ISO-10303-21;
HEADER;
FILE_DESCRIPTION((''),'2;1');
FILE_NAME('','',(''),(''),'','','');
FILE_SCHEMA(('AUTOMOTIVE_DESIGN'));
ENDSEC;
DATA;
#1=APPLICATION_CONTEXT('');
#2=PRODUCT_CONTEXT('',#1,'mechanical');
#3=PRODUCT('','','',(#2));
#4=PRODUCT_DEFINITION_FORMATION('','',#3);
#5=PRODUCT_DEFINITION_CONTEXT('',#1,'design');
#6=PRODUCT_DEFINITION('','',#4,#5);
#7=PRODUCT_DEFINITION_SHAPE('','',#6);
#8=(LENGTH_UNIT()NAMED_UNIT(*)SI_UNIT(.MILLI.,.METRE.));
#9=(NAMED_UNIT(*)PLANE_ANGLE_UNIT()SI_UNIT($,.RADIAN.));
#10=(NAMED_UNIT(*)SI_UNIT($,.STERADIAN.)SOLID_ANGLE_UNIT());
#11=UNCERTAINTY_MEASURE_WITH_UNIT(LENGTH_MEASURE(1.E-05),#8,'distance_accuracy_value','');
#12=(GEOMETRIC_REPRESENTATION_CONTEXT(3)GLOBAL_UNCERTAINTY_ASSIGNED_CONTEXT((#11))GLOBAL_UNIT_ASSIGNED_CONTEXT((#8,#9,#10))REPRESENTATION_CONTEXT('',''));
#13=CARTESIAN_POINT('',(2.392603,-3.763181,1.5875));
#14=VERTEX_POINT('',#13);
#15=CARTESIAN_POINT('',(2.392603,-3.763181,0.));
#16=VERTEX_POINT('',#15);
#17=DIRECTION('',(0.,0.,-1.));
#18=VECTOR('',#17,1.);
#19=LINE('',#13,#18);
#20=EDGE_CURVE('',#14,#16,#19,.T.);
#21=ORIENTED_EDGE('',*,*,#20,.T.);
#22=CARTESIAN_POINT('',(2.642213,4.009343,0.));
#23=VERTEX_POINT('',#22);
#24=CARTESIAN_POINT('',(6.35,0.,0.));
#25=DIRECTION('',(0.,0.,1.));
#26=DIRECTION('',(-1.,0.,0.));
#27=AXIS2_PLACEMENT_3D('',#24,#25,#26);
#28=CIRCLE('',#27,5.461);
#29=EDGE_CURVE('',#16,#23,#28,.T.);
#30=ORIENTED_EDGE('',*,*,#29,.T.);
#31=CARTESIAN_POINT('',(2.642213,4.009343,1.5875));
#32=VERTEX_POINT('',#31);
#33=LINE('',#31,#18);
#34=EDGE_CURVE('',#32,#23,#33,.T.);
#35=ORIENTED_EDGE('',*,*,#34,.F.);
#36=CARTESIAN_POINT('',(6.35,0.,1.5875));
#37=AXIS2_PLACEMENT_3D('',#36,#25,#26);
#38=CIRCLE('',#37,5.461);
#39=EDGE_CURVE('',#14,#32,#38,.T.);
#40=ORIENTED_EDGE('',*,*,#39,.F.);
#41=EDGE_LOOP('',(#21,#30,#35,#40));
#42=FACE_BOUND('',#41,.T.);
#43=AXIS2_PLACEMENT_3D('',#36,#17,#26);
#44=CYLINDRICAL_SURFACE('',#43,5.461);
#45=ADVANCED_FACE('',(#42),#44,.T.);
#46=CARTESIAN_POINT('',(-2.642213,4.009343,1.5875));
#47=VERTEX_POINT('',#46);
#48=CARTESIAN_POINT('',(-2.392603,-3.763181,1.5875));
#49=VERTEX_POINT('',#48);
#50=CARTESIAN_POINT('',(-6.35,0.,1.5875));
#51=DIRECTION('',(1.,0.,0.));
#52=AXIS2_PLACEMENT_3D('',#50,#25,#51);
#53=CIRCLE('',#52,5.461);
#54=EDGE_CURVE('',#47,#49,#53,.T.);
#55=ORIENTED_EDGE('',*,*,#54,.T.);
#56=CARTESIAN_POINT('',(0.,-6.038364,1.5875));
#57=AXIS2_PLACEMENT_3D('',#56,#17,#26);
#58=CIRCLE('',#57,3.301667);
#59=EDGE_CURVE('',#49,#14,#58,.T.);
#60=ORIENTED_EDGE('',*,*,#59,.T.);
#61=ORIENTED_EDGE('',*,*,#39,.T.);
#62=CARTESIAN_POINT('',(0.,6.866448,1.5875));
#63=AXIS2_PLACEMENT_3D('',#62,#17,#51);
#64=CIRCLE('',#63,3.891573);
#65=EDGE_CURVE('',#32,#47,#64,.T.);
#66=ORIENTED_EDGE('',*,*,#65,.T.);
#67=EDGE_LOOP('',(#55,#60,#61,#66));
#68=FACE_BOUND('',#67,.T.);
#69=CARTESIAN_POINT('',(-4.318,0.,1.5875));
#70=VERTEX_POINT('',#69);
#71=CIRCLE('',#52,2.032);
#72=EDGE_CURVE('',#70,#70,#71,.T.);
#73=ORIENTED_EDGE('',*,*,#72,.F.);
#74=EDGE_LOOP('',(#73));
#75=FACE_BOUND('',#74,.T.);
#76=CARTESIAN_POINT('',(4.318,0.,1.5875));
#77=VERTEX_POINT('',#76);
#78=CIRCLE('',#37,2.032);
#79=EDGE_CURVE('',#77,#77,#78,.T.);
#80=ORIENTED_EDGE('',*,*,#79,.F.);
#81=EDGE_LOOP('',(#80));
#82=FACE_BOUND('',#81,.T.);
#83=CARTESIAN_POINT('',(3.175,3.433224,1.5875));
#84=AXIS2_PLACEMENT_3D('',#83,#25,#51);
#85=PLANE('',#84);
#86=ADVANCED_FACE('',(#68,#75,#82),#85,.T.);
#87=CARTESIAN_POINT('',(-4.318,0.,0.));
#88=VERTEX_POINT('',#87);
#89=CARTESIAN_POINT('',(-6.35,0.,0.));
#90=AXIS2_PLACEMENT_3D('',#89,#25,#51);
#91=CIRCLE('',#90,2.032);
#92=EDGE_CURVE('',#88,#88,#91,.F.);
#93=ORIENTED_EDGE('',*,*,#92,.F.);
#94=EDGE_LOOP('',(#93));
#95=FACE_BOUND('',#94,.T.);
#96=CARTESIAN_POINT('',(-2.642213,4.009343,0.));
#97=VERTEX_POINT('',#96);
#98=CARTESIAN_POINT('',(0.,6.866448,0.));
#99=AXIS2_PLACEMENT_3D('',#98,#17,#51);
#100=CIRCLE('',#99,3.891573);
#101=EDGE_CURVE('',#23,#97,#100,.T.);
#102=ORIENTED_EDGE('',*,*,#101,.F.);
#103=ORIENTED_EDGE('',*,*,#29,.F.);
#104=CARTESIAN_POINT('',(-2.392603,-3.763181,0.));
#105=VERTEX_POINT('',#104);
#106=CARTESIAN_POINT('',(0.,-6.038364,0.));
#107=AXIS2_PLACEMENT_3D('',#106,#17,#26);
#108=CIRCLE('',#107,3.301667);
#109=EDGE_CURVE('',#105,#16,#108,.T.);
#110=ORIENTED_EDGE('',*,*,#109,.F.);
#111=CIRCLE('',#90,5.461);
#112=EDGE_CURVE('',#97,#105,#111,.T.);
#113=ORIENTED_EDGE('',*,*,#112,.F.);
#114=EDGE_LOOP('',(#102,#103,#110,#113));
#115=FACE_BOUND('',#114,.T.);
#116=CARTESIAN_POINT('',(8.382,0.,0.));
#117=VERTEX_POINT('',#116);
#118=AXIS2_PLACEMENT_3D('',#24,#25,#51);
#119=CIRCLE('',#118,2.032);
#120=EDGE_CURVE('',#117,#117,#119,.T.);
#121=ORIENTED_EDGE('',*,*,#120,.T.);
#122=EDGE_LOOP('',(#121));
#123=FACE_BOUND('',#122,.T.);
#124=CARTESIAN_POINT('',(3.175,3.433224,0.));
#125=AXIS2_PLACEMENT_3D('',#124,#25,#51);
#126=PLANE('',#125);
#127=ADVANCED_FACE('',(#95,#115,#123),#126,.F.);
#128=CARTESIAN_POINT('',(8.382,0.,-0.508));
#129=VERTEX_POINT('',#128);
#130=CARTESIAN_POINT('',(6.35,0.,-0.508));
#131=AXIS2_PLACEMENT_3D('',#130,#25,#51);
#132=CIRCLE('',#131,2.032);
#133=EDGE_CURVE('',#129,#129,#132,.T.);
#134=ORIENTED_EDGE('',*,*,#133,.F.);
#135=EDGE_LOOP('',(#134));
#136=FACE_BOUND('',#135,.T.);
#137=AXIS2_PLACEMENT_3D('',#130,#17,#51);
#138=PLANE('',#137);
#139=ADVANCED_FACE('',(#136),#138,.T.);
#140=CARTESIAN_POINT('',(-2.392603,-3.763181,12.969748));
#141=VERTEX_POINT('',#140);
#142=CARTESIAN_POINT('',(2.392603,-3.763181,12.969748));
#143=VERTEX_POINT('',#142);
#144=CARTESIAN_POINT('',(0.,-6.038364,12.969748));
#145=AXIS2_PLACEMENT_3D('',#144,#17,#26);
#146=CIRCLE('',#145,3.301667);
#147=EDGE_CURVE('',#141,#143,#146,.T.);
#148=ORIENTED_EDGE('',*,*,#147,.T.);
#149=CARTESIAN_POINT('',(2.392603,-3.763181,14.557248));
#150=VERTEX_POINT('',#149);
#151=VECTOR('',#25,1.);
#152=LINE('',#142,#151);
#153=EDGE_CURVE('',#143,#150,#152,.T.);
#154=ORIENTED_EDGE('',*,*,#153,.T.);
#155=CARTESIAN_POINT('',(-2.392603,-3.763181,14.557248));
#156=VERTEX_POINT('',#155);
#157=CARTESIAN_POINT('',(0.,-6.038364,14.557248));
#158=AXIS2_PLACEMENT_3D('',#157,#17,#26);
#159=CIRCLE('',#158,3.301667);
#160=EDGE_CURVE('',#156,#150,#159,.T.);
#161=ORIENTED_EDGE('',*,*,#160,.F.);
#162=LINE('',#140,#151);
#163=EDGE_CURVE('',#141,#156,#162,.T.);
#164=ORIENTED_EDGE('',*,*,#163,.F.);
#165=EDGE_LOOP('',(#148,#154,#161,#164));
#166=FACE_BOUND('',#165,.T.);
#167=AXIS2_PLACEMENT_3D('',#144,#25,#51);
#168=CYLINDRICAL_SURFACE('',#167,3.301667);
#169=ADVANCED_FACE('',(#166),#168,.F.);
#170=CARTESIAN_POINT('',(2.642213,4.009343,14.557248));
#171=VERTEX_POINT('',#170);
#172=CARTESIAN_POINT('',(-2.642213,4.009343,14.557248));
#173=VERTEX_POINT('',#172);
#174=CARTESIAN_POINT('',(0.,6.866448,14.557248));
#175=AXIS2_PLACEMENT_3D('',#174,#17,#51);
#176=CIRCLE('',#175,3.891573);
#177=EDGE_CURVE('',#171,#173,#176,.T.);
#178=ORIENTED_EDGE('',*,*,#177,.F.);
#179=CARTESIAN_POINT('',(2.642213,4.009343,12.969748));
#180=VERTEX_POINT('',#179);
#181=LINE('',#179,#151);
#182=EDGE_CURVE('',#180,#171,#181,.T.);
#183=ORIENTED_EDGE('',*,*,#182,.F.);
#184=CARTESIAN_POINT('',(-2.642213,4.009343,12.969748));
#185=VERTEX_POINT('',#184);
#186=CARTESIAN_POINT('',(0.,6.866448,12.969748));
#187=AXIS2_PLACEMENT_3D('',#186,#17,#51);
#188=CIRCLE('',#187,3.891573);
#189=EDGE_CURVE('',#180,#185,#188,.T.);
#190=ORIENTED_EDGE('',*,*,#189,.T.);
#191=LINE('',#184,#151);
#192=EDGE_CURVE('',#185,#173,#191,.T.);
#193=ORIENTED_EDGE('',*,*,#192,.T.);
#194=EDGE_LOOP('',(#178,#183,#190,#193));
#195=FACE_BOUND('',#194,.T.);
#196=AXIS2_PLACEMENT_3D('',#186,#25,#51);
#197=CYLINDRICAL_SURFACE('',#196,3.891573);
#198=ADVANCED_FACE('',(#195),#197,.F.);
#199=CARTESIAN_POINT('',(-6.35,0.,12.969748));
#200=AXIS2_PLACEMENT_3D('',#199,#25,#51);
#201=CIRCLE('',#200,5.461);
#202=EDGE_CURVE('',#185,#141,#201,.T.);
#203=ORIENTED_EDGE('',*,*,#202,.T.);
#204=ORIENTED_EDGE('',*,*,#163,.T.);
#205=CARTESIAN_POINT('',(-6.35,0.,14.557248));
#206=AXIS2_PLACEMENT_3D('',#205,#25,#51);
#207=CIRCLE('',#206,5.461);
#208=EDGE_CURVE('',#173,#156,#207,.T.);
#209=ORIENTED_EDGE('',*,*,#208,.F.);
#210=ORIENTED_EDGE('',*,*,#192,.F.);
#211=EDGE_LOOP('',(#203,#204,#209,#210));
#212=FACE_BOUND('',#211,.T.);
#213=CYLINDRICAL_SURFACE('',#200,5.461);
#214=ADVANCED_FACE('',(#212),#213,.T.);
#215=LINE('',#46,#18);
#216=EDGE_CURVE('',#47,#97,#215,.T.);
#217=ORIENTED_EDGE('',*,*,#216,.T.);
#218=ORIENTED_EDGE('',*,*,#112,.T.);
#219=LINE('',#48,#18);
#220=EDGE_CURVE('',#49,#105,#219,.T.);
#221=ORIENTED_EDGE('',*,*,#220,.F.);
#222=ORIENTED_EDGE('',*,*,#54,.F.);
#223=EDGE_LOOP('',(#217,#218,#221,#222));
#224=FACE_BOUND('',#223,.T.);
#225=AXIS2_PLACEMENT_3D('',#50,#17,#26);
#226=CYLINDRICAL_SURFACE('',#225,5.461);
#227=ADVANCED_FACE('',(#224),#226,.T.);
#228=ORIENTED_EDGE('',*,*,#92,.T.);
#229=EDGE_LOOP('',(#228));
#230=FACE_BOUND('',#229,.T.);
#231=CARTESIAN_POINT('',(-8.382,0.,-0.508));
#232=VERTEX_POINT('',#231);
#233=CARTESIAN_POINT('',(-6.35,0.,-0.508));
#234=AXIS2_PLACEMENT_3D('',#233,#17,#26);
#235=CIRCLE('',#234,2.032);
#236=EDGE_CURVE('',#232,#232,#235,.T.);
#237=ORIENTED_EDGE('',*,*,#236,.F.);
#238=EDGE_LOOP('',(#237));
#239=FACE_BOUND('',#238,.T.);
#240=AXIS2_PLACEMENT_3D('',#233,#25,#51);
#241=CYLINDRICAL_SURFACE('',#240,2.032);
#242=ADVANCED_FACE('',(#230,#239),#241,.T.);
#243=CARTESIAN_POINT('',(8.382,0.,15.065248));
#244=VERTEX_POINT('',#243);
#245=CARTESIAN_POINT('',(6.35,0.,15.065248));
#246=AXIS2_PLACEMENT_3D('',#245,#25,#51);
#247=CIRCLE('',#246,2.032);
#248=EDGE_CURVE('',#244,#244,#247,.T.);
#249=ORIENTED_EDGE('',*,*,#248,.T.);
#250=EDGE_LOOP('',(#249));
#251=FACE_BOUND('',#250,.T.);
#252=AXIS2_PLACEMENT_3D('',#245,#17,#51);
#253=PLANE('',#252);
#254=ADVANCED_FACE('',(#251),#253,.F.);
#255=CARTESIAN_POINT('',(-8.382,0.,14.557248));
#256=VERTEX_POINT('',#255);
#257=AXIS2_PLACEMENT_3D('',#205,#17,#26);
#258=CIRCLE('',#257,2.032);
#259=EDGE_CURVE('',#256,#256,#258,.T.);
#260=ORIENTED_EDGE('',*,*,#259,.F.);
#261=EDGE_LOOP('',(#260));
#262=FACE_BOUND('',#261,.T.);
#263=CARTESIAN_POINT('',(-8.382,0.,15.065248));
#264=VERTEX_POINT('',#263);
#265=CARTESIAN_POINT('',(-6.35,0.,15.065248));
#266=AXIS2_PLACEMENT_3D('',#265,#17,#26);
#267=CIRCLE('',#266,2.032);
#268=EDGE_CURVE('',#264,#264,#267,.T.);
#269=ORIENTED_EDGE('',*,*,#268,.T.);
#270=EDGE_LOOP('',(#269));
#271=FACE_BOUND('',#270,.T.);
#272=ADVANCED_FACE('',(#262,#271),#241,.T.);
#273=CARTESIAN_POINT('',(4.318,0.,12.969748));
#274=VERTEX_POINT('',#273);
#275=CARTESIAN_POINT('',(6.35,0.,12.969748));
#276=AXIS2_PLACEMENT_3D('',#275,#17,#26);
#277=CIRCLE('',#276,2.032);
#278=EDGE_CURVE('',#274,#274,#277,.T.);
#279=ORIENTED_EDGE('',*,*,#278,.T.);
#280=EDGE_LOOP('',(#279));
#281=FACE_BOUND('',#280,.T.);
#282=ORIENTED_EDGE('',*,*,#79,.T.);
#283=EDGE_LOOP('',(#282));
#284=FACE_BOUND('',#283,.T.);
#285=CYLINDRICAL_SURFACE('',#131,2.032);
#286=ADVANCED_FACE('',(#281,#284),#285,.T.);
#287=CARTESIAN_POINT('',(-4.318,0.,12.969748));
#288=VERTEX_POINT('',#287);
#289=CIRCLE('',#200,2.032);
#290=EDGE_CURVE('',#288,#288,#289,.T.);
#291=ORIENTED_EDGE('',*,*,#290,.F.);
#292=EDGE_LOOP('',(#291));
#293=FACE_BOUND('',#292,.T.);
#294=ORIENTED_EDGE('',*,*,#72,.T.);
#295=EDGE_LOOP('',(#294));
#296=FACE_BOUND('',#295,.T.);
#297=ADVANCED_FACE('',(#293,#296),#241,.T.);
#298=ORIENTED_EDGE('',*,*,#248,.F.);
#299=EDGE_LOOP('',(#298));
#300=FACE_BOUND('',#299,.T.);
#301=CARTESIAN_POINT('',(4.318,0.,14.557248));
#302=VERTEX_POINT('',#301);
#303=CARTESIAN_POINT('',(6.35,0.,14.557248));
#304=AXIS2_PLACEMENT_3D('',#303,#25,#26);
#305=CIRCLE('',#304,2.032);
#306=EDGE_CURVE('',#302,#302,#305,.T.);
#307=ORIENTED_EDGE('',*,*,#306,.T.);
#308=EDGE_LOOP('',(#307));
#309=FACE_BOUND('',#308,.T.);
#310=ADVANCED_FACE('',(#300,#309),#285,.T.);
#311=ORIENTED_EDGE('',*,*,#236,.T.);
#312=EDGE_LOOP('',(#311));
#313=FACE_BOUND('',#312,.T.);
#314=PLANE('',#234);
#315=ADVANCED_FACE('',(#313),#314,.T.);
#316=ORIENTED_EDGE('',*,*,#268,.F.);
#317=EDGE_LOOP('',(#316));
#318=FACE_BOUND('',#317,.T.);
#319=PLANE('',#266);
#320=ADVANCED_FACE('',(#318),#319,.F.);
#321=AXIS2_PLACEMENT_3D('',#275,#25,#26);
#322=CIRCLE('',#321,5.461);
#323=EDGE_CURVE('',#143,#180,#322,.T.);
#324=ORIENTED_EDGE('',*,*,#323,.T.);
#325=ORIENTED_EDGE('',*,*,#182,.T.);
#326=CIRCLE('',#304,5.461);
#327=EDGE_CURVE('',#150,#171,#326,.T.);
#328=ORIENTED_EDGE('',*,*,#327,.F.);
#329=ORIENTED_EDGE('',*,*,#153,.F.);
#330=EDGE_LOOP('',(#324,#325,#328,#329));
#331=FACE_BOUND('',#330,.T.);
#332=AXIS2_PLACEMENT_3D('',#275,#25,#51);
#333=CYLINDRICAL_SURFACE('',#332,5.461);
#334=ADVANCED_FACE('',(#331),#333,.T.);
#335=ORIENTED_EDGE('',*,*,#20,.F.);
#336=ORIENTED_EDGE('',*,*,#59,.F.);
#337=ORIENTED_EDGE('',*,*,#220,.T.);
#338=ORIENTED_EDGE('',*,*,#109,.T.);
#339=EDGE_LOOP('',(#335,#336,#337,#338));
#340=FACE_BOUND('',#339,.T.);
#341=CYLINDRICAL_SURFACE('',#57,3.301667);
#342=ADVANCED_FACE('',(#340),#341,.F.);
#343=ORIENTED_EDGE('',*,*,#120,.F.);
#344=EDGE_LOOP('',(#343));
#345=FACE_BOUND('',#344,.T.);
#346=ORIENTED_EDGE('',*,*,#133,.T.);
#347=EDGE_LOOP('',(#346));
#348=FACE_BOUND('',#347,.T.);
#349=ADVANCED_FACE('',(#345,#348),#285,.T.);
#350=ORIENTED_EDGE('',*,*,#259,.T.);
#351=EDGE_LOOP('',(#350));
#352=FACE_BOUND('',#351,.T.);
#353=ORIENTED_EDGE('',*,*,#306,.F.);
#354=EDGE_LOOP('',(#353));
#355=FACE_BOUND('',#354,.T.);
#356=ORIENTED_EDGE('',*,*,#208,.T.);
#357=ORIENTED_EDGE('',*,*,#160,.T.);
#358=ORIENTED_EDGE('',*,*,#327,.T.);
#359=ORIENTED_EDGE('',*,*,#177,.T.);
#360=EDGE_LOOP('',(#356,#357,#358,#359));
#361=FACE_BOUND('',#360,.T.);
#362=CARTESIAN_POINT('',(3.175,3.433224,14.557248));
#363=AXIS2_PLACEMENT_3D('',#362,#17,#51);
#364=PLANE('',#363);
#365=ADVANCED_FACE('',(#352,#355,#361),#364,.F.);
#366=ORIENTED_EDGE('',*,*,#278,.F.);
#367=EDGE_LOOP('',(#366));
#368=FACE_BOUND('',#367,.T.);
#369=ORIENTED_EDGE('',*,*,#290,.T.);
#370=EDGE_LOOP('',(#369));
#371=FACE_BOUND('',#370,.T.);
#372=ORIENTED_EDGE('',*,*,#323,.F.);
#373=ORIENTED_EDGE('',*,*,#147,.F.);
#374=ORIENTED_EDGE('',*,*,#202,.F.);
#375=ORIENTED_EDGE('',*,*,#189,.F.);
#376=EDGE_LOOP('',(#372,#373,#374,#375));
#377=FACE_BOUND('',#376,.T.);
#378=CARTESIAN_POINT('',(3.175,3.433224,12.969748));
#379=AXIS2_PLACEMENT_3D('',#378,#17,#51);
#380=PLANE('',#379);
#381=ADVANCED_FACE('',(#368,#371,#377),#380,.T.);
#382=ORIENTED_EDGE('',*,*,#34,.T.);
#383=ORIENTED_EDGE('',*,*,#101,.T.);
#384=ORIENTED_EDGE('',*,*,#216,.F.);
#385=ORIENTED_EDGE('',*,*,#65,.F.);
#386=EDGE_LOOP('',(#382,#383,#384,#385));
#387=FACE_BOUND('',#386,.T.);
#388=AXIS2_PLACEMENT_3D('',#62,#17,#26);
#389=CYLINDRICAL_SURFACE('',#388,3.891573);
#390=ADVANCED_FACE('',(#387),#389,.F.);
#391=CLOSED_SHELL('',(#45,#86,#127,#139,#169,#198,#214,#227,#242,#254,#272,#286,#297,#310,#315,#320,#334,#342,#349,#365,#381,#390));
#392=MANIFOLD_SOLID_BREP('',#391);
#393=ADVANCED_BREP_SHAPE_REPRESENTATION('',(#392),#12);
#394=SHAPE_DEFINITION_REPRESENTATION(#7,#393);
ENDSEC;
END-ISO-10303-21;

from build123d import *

# Parameters (mm, degrees)
SKETCH1_R           = 2.032
BOSS_EXTRUDE1_DEPTH = 1.5875
BOSS_EXTRUDE2_START = -15.065248
SKETCH2_R           = 2.032
BOSS_EXTRUDE2_DEPTH = 15.573248


with BuildPart() as part:
    # Sketch1 → Boss-Extrude1 (new body)
    with BuildSketch(Plane.XY):
        with BuildLine():
            ThreePointArc((-2.642212666, 4.009343348), (-11.808186134, -0.175285856), (-2.392603437, -3.763181293))
            ThreePointArc((-2.392603437, -3.763181293), (0, -2.73669663), (2.392603437, -3.763181293))
            ThreePointArc((2.392603437, -3.763181293), (11.808186134, -0.175285856), (2.642212666, 4.009343348))
            ThreePointArc((2.642212666, 4.009343348), (0, 2.974875822), (-2.642212666, 4.009343348))
        make_face()
        with Locations((-6.35, 0)):
            Circle(SKETCH1_R, mode=Mode.SUBTRACT)
        with Locations((6.35, 0)):
            Circle(SKETCH1_R, mode=Mode.SUBTRACT)
    boss_extrude1 = extrude(amount=BOSS_EXTRUDE1_DEPTH)

    # Sketch2 → Boss-Extrude2 (add)
    with BuildSketch(Plane(origin=(0, 0, 0), x_dir=(-1, 0, 0), z_dir=(0, 0, -1)).offset(BOSS_EXTRUDE2_START)):
        with Locations((6.35, 0)):
            Circle(SKETCH2_R)
    boss_extrude2 = extrude(amount=BOSS_EXTRUDE2_DEPTH)

    # Mirror2: Boss-Extrude1 across plane
    add(boss_extrude1.mirror(Plane(origin=(0, 0, 7.278624), x_dir=(1, 0, 0), z_dir=(0, 0, -1))))

    # Mirror3: Boss-Extrude2 across plane
    add(boss_extrude2.mirror(Plane(origin=(0, 0, 0), x_dir=(0, 0, 1), z_dir=(1, 0, 0))))


solid = part.part
